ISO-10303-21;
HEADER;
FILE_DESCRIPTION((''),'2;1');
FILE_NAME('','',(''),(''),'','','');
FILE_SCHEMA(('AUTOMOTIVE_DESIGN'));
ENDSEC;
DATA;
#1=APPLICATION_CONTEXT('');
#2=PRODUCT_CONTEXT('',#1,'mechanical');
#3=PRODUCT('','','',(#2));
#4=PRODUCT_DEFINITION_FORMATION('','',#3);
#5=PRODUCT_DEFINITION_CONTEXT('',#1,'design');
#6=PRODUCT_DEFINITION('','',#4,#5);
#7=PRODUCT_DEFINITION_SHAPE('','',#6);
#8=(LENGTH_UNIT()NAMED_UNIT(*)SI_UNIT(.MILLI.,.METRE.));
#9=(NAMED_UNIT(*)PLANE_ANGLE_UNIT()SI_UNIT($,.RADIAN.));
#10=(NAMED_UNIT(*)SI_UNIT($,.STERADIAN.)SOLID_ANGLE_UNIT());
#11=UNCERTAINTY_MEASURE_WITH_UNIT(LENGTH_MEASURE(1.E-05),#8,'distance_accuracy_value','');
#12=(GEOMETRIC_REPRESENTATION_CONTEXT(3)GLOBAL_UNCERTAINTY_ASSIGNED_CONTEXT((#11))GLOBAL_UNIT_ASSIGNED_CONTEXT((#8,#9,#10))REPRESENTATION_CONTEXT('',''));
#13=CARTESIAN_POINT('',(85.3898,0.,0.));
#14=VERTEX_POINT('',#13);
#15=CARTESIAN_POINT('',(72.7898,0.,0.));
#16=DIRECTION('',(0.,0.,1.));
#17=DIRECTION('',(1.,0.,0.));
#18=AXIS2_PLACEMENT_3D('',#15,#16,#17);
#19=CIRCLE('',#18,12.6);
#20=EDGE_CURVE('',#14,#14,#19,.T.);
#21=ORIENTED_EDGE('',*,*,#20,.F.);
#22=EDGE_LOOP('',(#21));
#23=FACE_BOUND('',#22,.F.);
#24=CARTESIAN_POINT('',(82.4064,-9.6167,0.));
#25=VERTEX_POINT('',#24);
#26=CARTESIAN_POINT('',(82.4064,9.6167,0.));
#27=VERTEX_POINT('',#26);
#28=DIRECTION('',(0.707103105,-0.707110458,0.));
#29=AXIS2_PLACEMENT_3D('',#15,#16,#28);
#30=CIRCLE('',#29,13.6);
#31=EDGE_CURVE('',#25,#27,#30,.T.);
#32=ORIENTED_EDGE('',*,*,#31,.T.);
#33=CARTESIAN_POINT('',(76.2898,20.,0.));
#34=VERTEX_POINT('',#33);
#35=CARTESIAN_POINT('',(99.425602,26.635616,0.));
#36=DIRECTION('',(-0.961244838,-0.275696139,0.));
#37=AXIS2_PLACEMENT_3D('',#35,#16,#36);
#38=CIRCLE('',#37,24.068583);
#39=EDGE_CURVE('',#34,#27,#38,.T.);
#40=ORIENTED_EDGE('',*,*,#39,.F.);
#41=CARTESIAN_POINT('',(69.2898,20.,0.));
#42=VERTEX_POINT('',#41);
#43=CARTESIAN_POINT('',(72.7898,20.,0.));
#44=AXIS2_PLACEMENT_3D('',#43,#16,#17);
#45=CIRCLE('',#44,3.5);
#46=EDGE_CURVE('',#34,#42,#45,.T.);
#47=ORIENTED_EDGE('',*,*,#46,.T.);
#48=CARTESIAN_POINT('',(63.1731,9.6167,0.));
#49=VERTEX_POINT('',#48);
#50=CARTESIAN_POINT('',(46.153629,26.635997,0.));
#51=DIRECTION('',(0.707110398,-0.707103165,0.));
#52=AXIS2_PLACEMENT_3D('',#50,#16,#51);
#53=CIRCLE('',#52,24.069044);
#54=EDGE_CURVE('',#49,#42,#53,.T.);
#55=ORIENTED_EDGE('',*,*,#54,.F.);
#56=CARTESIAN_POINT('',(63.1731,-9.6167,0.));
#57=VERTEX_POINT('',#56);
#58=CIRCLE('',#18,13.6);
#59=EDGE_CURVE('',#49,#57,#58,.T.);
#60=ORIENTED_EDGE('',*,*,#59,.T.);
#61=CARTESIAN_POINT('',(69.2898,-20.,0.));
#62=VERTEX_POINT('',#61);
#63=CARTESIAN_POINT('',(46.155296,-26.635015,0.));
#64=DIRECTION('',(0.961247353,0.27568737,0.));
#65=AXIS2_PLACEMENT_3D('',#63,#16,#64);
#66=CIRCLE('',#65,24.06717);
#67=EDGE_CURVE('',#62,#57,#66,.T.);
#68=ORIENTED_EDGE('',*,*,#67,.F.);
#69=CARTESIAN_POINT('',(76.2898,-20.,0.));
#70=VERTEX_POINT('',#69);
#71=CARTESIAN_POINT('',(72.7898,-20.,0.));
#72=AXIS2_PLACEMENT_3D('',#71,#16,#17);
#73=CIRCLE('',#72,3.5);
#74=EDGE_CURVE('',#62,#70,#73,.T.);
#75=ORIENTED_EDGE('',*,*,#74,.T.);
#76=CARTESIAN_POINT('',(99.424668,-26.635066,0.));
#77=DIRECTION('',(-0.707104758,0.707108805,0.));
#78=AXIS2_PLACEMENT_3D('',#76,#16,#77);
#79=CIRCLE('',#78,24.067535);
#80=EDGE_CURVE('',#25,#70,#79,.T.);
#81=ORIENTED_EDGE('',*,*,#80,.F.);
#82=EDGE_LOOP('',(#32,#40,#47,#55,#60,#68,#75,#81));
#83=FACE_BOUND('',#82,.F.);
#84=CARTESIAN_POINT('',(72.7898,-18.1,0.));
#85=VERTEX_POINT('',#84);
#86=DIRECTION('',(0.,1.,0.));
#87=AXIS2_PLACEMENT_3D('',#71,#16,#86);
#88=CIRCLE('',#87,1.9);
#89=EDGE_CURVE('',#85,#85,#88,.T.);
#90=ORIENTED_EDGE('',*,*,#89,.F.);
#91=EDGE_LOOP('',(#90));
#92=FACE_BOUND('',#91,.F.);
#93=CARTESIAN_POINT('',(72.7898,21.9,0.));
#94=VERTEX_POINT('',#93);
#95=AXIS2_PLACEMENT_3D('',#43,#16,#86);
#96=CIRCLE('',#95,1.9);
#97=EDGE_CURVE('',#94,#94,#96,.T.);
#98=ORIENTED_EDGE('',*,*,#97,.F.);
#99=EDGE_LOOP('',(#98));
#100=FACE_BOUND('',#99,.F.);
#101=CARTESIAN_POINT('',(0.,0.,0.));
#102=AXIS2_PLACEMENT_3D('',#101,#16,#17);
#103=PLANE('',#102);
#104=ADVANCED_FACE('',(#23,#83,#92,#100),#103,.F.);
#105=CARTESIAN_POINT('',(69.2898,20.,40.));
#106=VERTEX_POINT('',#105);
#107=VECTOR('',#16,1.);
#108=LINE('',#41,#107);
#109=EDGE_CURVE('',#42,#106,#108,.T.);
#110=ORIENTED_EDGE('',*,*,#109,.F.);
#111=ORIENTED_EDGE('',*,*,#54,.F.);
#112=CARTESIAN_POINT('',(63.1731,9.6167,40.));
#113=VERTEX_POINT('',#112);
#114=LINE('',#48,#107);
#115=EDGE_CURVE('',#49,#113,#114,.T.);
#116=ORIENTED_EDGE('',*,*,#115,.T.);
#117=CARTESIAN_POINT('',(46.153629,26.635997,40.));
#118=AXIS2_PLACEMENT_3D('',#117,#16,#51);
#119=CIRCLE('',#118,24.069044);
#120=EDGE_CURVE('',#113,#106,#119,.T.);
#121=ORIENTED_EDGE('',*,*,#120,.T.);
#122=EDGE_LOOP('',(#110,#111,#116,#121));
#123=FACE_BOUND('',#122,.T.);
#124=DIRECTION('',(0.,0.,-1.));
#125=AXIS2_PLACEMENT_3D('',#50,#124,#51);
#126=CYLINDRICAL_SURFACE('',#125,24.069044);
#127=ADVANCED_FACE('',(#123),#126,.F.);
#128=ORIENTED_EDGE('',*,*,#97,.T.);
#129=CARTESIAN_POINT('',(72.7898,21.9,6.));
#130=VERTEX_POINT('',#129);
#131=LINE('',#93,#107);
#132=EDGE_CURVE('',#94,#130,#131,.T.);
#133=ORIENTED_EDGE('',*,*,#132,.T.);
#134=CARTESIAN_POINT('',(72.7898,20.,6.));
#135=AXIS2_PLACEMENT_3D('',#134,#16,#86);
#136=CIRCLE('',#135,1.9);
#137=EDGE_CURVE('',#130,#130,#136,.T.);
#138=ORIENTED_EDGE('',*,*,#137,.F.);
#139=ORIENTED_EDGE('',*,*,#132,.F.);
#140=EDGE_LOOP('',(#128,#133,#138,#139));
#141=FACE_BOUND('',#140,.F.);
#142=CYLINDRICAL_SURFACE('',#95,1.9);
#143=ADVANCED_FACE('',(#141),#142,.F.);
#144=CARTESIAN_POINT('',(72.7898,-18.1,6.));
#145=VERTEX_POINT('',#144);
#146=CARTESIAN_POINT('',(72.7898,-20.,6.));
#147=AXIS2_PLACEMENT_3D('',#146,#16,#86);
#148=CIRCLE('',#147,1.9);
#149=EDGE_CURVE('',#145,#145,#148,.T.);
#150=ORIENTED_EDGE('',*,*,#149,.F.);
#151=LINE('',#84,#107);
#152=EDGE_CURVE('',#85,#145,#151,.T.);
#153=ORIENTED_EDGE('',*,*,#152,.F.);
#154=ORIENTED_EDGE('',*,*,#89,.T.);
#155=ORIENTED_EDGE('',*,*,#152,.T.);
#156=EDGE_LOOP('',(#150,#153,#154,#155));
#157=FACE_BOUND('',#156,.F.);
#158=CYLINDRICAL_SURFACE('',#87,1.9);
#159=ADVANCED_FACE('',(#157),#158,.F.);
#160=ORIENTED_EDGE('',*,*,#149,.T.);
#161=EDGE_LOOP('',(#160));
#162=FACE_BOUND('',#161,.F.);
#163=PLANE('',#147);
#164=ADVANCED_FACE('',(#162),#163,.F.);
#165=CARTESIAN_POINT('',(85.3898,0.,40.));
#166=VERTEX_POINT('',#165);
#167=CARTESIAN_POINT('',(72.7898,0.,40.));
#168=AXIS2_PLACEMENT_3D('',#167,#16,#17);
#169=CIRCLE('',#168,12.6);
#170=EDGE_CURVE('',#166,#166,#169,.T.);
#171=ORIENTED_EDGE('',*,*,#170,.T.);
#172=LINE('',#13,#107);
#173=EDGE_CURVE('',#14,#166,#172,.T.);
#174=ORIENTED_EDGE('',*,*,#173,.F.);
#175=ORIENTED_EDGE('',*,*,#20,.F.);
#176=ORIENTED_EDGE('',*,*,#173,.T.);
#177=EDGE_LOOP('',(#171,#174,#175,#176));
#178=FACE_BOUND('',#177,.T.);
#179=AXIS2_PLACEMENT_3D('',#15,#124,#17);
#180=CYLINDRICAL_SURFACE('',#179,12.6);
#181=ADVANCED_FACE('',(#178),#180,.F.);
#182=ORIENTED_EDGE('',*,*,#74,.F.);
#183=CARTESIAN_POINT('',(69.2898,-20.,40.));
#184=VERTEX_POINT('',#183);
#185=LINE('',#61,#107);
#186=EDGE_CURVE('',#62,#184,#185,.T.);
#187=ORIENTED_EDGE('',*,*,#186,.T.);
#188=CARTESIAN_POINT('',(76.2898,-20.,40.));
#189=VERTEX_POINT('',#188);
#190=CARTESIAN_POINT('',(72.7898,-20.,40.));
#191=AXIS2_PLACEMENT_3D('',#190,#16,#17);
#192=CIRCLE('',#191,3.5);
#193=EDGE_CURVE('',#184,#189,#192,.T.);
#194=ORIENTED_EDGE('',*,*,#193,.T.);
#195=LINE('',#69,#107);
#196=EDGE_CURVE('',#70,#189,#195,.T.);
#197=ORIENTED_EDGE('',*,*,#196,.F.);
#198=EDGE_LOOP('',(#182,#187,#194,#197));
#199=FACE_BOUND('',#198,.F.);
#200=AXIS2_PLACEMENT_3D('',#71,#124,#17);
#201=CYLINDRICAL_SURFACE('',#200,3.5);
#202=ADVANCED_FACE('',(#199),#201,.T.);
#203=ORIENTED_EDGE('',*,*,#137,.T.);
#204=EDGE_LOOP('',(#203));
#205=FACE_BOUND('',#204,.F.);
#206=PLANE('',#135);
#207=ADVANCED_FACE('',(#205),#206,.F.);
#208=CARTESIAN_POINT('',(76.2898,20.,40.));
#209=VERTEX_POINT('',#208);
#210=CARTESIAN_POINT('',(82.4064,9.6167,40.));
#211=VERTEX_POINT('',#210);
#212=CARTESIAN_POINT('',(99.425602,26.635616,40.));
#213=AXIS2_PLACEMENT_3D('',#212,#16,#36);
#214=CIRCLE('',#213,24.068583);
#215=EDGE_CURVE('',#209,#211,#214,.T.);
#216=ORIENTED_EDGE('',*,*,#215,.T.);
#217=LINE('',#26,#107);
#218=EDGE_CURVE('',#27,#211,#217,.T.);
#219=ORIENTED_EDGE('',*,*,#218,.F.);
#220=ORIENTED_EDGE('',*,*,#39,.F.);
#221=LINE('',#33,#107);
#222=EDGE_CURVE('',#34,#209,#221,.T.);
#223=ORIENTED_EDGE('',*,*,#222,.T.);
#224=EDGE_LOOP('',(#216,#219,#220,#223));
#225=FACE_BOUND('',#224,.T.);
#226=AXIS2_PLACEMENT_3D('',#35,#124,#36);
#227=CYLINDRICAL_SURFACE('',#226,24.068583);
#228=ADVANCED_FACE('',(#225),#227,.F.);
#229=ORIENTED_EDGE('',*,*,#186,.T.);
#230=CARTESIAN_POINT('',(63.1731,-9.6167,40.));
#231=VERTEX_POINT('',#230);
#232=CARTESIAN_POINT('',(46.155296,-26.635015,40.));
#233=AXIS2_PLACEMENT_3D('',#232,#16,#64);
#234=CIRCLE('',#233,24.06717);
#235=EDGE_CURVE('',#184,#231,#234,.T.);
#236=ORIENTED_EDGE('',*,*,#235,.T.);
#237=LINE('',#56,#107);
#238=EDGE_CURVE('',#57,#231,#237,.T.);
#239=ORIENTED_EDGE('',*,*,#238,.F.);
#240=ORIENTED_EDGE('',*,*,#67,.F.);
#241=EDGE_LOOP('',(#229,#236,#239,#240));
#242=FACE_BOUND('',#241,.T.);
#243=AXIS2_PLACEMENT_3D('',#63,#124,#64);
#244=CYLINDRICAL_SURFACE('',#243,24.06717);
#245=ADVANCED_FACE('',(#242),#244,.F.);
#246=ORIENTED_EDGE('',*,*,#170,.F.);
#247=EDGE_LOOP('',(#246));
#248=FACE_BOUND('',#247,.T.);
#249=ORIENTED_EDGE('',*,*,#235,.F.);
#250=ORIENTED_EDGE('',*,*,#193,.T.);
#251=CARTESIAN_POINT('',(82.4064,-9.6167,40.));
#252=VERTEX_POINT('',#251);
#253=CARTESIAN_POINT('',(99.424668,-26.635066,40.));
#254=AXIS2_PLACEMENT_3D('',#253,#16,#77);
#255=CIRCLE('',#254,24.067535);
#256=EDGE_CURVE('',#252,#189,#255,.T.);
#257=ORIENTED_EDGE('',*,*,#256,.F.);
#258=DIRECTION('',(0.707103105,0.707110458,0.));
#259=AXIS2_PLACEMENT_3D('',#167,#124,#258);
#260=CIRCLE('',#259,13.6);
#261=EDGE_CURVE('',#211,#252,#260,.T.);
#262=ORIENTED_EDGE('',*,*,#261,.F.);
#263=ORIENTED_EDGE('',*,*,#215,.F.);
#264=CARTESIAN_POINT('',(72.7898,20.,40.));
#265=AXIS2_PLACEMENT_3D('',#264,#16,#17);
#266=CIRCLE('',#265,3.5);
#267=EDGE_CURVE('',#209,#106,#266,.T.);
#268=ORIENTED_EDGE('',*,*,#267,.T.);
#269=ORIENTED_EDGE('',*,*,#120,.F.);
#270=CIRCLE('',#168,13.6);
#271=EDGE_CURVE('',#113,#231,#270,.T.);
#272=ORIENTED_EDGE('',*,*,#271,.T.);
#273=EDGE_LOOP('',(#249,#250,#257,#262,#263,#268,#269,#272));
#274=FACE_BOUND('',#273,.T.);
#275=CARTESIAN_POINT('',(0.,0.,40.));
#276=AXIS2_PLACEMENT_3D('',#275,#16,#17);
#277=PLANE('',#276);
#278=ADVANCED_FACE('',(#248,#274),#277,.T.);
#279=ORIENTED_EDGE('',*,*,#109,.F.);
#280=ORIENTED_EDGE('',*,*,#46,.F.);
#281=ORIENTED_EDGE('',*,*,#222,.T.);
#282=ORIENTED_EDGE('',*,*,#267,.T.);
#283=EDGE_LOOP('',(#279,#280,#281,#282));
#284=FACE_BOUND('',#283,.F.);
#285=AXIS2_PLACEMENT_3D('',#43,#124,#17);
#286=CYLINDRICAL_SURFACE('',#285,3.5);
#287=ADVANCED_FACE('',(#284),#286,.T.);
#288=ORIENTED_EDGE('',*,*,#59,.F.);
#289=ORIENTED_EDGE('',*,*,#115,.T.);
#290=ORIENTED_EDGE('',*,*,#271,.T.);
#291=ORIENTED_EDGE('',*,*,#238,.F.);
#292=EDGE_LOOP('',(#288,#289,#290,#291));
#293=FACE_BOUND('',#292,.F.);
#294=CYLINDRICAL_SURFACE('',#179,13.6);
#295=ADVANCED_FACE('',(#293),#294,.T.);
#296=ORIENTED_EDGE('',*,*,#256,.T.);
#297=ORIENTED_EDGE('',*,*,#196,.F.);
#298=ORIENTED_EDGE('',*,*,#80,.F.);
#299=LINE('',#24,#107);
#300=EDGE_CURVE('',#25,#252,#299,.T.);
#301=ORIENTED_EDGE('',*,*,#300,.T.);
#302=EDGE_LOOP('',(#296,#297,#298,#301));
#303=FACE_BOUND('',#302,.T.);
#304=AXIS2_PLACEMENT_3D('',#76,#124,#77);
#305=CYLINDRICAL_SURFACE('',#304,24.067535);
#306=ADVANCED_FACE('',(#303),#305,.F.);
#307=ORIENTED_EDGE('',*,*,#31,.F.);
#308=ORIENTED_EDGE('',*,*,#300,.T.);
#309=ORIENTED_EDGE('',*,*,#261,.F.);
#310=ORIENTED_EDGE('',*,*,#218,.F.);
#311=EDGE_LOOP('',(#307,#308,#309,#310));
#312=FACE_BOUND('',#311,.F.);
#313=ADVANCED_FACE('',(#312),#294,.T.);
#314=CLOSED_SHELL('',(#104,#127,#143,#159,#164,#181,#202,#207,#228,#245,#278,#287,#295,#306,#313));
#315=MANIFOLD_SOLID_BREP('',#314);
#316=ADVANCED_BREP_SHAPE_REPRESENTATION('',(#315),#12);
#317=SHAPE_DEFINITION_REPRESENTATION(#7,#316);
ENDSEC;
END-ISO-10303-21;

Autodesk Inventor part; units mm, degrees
ref_plane "XZ Plane" through (0, 0, 0) normal (0, 1, 0) x (-1, 0, 0)
ref_plane "XY Plane" through (0, 0, 0) normal (0, 0, 1) x (1, 0, 0)
ref_plane "РабПлоскость1" through (0, 0, 0) normal (0, 0, 1) x (1, 0, 0)
sketch "Эскиз1" plane through (0, 0, 0) normal (0, 0, 1) x (1, 0, 0)
  circle A0 centre (72.7898, 20) radius 1.5 construction
  circle A1 centre (72.7898, -20) radius 1.5 construction
  line L0 (72.7898, 20) -> (72.7898, -20) construction
  circle A2 centre (72.7898, 0) radius 13.6
  circle A3 centre (72.7898, 20) radius 3.5
  circle A4 centre (72.7898, -20) radius 3.5
  line L1 (76.2898, 20) -> (69.2898, 20) construction
  line L2 (76.2898, -20) -> (69.2898, -20) construction
  line L3 (82.4064, 9.6167) -> (63.1731, -9.6167) construction
  line L4 (82.4064, -9.6167) -> (63.1731, 9.6167) construction
  arc A5 (76.2898, 20) -> (82.4064, 9.6167) centre (99.4251, 26.6354) ccw
  arc A6 (63.1731, 9.6167) -> (69.2898, 20) centre (46.1544, 26.6354) ccw
  arc A7 (69.2898, -20) -> (63.1731, -9.6167) centre (46.1544, -26.6354) ccw
  arc A8 (82.4064, -9.6167) -> (76.2898, -20) centre (99.4251, -26.6354) ccw
  circle A9 centre (72.7898, 0) radius 12.6
  point P0 (0, 0)
  point P1 (72.7898, 0)
  dimension "d0" = 27.2
  dimension "d3" = 7
  dimension "d4" = 45
  dimension "d5" = 25.2
extrude "Выдавливание1" add sketch "Эскиз1" along normal blind 40
hole "Отверстие1" at (72.7898, 20, 0) at (72.7898, -20, 0) direction (0, 0, 1) diameter 3.8 depth 6
sketch "Эскиз2" plane through (0, 0, 0) normal (0, 1, 0) x (-1, 0, 0)
  point P0 (0, 0)
ref_plane "РабПлоскость2" through (72.7898, -23.5, 40) normal (1, 0, 0) x (0, 1, 0)
properties part number "Крепление конденсатора"
